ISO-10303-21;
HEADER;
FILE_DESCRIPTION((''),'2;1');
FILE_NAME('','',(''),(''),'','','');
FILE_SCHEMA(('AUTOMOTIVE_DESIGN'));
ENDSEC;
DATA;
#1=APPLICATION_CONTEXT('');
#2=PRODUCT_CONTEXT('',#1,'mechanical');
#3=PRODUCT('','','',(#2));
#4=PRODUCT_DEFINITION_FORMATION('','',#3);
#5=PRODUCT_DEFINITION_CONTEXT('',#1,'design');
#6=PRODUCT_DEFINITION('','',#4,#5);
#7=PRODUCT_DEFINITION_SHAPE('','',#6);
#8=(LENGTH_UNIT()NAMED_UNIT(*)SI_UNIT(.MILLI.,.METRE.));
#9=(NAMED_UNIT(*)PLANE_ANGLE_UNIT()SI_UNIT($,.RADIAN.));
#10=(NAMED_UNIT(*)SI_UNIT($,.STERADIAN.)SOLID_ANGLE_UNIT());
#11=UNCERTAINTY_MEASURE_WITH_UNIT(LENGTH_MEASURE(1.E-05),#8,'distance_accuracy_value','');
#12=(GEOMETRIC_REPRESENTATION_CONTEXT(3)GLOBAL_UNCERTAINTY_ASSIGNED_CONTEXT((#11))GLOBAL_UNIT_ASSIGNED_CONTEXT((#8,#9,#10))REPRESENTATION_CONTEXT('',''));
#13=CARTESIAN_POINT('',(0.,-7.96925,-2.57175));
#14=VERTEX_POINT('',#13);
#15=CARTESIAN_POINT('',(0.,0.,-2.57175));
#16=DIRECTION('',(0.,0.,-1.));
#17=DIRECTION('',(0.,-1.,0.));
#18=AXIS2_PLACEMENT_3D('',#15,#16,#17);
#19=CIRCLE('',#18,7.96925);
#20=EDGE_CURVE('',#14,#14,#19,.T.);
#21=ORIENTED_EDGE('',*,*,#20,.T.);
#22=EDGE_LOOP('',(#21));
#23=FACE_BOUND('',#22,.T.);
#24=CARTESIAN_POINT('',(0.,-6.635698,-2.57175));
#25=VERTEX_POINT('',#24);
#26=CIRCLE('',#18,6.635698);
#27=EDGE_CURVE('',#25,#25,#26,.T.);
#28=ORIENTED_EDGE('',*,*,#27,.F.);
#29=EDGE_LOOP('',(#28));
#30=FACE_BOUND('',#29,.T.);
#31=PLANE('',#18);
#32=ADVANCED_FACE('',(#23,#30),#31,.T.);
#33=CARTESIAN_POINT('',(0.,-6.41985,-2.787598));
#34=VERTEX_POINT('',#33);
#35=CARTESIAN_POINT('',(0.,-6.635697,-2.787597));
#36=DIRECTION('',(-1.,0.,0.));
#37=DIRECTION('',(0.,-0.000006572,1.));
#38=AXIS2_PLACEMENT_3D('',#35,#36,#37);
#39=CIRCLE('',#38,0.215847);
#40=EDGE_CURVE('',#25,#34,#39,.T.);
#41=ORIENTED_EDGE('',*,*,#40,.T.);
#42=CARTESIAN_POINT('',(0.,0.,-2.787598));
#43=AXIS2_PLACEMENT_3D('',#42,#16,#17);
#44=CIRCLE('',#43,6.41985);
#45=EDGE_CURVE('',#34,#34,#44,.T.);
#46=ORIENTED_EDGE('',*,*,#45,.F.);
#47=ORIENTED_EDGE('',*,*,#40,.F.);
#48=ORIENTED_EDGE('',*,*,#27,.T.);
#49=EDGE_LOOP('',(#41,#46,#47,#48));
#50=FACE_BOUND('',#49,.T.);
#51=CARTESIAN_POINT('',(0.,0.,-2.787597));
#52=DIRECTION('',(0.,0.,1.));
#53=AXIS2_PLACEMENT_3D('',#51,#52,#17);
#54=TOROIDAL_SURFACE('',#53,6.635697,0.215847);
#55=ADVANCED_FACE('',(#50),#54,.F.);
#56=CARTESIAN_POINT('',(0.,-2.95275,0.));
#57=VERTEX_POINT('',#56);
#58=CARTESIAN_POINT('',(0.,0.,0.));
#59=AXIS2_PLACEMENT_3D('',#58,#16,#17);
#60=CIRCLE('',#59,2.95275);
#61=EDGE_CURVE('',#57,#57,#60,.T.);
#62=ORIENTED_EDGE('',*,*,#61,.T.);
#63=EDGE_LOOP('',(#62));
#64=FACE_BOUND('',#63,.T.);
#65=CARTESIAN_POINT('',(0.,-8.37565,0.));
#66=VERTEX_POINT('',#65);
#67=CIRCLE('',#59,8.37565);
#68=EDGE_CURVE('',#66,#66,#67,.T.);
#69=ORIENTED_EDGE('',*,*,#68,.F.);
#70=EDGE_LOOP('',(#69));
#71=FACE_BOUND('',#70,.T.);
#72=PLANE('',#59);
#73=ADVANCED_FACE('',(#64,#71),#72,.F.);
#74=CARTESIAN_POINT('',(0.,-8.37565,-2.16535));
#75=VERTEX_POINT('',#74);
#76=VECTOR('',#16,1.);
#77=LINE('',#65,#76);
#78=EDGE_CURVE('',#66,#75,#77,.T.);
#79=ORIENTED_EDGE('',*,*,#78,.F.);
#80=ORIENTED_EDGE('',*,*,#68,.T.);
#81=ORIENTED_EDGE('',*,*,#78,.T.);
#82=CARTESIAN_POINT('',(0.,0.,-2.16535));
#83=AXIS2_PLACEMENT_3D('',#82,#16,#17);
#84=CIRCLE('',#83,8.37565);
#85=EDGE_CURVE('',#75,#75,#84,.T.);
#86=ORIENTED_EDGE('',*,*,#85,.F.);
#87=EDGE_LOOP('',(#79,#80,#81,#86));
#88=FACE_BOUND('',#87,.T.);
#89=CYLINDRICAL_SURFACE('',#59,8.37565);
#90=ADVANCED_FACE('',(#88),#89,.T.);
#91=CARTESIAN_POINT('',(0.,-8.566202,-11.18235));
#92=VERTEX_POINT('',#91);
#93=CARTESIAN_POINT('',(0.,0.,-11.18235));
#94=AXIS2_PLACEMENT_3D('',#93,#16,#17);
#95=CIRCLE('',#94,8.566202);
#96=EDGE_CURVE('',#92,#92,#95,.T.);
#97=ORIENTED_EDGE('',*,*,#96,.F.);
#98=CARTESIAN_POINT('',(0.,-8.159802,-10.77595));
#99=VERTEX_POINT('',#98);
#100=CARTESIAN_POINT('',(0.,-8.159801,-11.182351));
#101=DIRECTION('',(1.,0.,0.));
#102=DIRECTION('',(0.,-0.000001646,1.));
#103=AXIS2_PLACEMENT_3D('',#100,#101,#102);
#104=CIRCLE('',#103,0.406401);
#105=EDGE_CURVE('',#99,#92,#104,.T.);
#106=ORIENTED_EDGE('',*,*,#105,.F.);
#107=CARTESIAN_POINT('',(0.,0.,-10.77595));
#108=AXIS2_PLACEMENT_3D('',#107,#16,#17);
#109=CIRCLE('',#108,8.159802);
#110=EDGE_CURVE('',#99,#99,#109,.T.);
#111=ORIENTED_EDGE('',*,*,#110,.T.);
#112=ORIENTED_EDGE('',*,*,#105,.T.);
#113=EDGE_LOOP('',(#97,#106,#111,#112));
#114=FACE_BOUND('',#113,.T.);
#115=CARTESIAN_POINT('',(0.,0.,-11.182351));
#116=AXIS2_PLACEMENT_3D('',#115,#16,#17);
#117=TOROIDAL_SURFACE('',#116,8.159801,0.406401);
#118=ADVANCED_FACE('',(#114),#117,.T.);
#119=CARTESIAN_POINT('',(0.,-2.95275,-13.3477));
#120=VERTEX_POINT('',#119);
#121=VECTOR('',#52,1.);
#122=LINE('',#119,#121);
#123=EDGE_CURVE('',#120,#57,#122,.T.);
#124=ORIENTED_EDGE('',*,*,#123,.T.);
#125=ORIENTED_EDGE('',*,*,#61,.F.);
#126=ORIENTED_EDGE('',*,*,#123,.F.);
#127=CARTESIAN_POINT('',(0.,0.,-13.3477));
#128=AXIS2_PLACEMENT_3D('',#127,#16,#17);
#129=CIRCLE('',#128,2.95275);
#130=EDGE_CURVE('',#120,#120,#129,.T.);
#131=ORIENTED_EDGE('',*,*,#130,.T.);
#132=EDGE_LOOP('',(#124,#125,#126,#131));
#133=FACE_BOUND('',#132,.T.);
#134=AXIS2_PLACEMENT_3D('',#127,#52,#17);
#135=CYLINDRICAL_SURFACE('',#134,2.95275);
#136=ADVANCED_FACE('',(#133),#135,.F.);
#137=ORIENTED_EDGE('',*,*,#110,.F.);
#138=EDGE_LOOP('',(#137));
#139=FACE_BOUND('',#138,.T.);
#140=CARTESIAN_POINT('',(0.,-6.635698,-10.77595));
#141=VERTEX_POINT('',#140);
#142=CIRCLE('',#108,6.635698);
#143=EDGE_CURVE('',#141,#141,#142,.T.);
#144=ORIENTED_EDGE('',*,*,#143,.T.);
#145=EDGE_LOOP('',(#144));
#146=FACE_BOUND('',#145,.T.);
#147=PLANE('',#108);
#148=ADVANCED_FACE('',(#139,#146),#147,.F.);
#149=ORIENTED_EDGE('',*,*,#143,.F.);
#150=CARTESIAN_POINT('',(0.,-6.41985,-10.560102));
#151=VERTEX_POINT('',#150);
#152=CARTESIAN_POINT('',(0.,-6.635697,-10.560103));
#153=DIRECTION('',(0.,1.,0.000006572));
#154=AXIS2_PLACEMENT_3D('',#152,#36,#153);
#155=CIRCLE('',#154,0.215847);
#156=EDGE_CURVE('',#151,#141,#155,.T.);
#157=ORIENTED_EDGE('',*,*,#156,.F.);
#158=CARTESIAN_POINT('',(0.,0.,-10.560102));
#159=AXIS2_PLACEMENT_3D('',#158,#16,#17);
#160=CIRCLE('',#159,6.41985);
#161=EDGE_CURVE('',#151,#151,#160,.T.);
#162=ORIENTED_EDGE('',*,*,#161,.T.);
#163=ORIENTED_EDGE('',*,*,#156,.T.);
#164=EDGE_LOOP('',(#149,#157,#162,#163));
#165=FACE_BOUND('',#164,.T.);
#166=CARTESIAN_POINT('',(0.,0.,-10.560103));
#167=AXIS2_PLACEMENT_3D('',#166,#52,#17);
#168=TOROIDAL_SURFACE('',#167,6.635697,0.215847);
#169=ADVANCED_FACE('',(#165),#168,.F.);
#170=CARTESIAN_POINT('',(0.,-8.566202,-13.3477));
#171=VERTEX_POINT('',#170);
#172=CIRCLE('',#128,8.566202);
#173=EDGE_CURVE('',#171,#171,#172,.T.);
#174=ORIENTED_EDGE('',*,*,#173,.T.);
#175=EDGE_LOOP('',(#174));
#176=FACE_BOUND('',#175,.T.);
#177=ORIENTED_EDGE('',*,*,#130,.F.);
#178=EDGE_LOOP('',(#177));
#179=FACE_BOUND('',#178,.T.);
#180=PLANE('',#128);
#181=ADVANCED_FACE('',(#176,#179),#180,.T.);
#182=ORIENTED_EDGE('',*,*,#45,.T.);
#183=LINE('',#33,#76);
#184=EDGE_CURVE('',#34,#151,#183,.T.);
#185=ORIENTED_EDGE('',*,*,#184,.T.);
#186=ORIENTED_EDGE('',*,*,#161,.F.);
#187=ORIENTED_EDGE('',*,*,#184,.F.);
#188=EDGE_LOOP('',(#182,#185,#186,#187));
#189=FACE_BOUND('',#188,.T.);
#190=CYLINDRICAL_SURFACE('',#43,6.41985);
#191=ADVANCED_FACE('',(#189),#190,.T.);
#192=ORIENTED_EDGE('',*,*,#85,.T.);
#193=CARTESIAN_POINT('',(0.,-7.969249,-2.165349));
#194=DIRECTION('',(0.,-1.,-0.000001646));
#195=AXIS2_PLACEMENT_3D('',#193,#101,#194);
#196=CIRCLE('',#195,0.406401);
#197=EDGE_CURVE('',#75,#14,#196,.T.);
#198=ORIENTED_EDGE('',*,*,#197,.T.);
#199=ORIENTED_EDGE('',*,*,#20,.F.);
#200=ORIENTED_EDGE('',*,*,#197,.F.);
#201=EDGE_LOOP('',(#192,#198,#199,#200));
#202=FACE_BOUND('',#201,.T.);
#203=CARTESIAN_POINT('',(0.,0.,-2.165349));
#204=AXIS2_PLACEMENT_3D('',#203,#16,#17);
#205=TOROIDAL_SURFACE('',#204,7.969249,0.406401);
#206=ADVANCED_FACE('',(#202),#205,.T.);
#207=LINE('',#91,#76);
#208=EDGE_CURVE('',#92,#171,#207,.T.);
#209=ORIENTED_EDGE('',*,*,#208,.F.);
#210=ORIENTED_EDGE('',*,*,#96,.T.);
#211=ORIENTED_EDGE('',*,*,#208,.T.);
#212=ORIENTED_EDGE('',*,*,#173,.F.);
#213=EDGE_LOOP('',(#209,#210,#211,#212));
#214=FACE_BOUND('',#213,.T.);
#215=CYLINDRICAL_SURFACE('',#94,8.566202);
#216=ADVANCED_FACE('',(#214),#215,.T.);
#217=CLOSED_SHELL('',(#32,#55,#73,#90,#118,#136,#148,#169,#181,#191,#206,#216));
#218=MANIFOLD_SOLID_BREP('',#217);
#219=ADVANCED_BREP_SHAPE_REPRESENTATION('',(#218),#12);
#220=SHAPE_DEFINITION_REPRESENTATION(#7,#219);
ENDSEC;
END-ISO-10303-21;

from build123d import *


with BuildPart() as f1:
    # F0 (on Right) → F1 (revolve)
    with BuildSketch(Plane.YZ):
        with BuildLine():
            Line((-2.95275, -6.67385), (-2.95275, 0))
            Line((-2.95275, 0), (-8.37565, 0))
            Line((-8.37565, 0), (-8.37565, -2.16535))
            ThreePointArc((-8.37565, -2.16535), (-8.256618, -2.452718), (-7.96925, -2.57175))
            Line((-7.96925, -2.57175), (-6.635698, -2.57175))
            ThreePointArc((-6.635698, -2.57175), (-6.48307, -2.63497), (-6.41985, -2.787598))
            Line((-6.41985, -2.787598), (-6.41985, -10.560102))
            ThreePointArc((-6.41985, -10.560102), (-6.48307, -10.71273), (-6.635698, -10.77595))
            Line((-6.635698, -10.77595), (-8.159802, -10.77595))
            ThreePointArc((-8.159802, -10.77595), (-8.44717, -10.894982), (-8.566202, -11.18235))
            Line((-8.566202, -11.18235), (-8.566202, -13.3477))
            Line((-8.566202, -13.3477), (-2.95275, -13.3477))
            Line((-2.95275, -13.3477), (-2.95275, -6.67385))
        make_face()
    revolve(axis=Axis((0, 0, -6.67385), (0, 0, -1)))


solid = f1.part
